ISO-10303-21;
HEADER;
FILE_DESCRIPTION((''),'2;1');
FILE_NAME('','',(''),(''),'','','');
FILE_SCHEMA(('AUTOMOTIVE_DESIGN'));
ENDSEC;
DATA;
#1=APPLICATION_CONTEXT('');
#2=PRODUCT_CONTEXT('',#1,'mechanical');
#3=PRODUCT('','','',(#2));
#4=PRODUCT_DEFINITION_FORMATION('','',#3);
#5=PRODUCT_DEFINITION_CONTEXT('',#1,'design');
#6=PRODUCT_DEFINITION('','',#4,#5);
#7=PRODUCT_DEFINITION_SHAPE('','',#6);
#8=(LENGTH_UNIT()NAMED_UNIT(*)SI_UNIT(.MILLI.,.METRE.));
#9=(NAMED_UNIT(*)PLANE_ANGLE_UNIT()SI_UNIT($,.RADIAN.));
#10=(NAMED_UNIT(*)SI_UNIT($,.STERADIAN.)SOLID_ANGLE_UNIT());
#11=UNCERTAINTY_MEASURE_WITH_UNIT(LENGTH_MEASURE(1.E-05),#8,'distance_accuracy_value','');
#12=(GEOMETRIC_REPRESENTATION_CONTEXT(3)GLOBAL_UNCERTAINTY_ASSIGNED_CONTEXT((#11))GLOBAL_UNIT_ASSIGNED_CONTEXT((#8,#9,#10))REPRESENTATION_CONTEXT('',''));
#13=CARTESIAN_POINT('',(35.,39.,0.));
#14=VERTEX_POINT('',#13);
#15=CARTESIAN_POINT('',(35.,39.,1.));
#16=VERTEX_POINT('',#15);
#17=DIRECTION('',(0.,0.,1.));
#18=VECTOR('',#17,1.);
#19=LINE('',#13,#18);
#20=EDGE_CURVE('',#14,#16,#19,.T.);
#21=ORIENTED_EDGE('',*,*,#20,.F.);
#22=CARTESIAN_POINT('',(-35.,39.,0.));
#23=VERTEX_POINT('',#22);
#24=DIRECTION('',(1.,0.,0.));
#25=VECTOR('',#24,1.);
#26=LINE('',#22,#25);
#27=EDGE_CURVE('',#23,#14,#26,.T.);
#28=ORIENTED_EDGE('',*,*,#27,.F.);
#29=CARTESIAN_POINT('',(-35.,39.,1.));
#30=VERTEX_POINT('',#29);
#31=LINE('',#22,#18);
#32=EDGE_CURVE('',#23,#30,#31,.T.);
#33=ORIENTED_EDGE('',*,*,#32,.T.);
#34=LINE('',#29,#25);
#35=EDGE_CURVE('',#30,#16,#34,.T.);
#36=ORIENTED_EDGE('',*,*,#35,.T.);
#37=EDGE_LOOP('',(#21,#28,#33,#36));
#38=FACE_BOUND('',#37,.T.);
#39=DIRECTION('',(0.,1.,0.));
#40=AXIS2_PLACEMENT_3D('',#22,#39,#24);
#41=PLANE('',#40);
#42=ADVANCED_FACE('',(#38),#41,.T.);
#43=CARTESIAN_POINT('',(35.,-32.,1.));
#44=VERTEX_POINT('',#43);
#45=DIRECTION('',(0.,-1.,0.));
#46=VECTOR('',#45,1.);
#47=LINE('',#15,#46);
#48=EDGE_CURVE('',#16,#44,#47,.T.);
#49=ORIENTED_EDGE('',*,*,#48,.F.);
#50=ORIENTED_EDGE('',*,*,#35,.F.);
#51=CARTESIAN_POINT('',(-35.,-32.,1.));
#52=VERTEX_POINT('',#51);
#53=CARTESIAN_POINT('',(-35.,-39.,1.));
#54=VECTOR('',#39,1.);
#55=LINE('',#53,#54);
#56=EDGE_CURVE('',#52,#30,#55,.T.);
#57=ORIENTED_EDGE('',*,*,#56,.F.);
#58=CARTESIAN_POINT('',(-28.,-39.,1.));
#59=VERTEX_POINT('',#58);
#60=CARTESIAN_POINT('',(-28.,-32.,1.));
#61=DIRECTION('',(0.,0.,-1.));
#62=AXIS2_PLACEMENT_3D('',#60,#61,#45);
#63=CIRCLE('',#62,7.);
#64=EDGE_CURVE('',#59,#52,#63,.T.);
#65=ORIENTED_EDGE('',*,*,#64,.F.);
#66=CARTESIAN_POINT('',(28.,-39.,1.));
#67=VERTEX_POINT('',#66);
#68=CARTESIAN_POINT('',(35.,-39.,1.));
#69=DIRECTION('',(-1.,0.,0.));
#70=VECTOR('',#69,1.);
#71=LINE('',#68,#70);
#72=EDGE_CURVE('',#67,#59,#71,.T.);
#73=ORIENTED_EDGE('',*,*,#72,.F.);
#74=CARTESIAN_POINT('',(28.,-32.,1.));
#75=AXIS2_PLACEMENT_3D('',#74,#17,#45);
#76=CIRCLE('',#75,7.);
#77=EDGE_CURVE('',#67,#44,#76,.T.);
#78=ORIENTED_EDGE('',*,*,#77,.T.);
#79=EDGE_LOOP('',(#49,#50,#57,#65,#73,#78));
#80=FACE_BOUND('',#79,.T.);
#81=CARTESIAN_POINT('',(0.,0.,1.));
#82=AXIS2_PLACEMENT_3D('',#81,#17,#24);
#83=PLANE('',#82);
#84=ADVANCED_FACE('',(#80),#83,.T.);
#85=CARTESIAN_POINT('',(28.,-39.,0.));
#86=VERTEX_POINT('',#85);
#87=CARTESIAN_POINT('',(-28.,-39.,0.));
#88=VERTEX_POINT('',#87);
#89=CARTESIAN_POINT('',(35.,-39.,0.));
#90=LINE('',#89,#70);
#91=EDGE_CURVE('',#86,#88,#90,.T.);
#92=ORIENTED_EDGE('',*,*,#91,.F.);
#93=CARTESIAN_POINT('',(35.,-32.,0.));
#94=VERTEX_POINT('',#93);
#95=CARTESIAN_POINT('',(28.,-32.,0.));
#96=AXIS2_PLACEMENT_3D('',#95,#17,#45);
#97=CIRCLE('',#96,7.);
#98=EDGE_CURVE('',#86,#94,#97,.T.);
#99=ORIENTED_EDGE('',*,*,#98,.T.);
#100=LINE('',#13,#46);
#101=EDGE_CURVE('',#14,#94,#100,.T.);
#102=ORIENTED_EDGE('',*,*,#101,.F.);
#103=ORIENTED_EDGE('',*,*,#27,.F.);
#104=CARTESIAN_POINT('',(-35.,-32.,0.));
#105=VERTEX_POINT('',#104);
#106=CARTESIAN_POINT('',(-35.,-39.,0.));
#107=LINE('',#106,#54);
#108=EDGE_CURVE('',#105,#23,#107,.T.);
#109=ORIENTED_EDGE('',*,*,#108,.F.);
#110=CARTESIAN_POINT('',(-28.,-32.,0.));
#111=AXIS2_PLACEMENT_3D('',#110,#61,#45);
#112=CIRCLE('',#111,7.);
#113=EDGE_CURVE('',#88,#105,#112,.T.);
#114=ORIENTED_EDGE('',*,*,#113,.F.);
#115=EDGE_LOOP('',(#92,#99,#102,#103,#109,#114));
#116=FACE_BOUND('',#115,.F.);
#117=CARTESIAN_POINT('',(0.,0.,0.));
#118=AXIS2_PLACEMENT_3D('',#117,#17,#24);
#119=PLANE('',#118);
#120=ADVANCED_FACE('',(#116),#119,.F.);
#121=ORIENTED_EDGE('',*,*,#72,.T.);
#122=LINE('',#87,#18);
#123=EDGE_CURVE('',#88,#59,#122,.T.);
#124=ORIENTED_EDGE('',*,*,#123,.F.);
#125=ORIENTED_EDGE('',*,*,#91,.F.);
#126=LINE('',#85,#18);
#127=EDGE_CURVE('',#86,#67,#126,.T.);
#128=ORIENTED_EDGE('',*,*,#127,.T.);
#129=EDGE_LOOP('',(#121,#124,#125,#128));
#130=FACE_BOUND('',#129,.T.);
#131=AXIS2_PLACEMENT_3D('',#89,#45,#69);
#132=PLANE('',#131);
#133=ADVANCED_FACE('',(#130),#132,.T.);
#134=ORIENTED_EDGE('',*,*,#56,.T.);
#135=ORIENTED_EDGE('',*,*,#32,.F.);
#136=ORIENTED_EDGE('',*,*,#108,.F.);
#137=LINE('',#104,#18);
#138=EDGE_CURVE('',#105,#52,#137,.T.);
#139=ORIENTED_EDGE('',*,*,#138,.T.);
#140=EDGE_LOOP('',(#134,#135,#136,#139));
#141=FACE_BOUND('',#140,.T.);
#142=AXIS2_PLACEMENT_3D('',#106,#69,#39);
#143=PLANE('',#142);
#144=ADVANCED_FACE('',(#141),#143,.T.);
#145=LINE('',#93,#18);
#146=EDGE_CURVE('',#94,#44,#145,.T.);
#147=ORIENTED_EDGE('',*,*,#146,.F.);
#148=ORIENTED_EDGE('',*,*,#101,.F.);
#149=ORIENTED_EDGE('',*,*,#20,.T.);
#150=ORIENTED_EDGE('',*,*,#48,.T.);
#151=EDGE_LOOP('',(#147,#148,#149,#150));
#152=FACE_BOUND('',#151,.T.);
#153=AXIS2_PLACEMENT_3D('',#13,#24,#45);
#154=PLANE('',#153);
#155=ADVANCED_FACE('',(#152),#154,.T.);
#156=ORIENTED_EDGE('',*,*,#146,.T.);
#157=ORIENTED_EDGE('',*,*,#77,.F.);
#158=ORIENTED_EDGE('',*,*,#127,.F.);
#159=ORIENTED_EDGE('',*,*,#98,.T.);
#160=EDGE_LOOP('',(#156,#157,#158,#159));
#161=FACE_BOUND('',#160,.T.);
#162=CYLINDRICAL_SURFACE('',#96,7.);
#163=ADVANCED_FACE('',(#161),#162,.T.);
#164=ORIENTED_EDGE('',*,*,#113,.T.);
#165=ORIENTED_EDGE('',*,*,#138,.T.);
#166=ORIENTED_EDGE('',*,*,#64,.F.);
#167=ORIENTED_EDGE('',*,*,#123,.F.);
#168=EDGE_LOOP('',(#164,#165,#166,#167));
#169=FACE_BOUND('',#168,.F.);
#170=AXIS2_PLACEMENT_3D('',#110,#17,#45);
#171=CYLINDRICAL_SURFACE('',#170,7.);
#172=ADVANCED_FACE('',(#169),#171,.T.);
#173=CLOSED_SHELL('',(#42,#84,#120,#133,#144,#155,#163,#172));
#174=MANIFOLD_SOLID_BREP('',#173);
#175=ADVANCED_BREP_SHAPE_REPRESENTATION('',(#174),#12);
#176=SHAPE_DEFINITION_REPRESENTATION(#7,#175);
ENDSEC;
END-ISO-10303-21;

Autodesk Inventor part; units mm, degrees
ref_plane "YZ Plane" through (0, 0, 0) normal (1, 0, 0) x (0, 1, 0)
ref_plane "XZ Plane" through (0, 0, 0) normal (0, 1, 0) x (-1, 0, 0)
ref_plane "XY Plane" through (0, 0, 0) normal (0, 0, 1) x (1, 0, 0)
sketch "草图1" plane through (0, 0, 0) normal (0, 0, 1) x (1, 0, 0)
  line L0 (35, -39) -> (-35, -39)
  line L1 (-35, -39) -> (-35, 39)
  line L2 (-35, 39) -> (35, 39)
  line L3 (35, 39) -> (35, -39)
  line L4 (35, -39) -> (-35, 39) construction
  line L5 (-35, -39) -> (35, 39) construction
  point P0 (0, 0)
  dimension "d0" = 70
  dimension "d1" = 78
extrude "拉伸1" add sketch "草图1" along normal blind 1
fillet "圆角1" radius 7 2 edges at (-35, -39, 0.5) (35, -39, 0.5)
properties part number "屏幕"
